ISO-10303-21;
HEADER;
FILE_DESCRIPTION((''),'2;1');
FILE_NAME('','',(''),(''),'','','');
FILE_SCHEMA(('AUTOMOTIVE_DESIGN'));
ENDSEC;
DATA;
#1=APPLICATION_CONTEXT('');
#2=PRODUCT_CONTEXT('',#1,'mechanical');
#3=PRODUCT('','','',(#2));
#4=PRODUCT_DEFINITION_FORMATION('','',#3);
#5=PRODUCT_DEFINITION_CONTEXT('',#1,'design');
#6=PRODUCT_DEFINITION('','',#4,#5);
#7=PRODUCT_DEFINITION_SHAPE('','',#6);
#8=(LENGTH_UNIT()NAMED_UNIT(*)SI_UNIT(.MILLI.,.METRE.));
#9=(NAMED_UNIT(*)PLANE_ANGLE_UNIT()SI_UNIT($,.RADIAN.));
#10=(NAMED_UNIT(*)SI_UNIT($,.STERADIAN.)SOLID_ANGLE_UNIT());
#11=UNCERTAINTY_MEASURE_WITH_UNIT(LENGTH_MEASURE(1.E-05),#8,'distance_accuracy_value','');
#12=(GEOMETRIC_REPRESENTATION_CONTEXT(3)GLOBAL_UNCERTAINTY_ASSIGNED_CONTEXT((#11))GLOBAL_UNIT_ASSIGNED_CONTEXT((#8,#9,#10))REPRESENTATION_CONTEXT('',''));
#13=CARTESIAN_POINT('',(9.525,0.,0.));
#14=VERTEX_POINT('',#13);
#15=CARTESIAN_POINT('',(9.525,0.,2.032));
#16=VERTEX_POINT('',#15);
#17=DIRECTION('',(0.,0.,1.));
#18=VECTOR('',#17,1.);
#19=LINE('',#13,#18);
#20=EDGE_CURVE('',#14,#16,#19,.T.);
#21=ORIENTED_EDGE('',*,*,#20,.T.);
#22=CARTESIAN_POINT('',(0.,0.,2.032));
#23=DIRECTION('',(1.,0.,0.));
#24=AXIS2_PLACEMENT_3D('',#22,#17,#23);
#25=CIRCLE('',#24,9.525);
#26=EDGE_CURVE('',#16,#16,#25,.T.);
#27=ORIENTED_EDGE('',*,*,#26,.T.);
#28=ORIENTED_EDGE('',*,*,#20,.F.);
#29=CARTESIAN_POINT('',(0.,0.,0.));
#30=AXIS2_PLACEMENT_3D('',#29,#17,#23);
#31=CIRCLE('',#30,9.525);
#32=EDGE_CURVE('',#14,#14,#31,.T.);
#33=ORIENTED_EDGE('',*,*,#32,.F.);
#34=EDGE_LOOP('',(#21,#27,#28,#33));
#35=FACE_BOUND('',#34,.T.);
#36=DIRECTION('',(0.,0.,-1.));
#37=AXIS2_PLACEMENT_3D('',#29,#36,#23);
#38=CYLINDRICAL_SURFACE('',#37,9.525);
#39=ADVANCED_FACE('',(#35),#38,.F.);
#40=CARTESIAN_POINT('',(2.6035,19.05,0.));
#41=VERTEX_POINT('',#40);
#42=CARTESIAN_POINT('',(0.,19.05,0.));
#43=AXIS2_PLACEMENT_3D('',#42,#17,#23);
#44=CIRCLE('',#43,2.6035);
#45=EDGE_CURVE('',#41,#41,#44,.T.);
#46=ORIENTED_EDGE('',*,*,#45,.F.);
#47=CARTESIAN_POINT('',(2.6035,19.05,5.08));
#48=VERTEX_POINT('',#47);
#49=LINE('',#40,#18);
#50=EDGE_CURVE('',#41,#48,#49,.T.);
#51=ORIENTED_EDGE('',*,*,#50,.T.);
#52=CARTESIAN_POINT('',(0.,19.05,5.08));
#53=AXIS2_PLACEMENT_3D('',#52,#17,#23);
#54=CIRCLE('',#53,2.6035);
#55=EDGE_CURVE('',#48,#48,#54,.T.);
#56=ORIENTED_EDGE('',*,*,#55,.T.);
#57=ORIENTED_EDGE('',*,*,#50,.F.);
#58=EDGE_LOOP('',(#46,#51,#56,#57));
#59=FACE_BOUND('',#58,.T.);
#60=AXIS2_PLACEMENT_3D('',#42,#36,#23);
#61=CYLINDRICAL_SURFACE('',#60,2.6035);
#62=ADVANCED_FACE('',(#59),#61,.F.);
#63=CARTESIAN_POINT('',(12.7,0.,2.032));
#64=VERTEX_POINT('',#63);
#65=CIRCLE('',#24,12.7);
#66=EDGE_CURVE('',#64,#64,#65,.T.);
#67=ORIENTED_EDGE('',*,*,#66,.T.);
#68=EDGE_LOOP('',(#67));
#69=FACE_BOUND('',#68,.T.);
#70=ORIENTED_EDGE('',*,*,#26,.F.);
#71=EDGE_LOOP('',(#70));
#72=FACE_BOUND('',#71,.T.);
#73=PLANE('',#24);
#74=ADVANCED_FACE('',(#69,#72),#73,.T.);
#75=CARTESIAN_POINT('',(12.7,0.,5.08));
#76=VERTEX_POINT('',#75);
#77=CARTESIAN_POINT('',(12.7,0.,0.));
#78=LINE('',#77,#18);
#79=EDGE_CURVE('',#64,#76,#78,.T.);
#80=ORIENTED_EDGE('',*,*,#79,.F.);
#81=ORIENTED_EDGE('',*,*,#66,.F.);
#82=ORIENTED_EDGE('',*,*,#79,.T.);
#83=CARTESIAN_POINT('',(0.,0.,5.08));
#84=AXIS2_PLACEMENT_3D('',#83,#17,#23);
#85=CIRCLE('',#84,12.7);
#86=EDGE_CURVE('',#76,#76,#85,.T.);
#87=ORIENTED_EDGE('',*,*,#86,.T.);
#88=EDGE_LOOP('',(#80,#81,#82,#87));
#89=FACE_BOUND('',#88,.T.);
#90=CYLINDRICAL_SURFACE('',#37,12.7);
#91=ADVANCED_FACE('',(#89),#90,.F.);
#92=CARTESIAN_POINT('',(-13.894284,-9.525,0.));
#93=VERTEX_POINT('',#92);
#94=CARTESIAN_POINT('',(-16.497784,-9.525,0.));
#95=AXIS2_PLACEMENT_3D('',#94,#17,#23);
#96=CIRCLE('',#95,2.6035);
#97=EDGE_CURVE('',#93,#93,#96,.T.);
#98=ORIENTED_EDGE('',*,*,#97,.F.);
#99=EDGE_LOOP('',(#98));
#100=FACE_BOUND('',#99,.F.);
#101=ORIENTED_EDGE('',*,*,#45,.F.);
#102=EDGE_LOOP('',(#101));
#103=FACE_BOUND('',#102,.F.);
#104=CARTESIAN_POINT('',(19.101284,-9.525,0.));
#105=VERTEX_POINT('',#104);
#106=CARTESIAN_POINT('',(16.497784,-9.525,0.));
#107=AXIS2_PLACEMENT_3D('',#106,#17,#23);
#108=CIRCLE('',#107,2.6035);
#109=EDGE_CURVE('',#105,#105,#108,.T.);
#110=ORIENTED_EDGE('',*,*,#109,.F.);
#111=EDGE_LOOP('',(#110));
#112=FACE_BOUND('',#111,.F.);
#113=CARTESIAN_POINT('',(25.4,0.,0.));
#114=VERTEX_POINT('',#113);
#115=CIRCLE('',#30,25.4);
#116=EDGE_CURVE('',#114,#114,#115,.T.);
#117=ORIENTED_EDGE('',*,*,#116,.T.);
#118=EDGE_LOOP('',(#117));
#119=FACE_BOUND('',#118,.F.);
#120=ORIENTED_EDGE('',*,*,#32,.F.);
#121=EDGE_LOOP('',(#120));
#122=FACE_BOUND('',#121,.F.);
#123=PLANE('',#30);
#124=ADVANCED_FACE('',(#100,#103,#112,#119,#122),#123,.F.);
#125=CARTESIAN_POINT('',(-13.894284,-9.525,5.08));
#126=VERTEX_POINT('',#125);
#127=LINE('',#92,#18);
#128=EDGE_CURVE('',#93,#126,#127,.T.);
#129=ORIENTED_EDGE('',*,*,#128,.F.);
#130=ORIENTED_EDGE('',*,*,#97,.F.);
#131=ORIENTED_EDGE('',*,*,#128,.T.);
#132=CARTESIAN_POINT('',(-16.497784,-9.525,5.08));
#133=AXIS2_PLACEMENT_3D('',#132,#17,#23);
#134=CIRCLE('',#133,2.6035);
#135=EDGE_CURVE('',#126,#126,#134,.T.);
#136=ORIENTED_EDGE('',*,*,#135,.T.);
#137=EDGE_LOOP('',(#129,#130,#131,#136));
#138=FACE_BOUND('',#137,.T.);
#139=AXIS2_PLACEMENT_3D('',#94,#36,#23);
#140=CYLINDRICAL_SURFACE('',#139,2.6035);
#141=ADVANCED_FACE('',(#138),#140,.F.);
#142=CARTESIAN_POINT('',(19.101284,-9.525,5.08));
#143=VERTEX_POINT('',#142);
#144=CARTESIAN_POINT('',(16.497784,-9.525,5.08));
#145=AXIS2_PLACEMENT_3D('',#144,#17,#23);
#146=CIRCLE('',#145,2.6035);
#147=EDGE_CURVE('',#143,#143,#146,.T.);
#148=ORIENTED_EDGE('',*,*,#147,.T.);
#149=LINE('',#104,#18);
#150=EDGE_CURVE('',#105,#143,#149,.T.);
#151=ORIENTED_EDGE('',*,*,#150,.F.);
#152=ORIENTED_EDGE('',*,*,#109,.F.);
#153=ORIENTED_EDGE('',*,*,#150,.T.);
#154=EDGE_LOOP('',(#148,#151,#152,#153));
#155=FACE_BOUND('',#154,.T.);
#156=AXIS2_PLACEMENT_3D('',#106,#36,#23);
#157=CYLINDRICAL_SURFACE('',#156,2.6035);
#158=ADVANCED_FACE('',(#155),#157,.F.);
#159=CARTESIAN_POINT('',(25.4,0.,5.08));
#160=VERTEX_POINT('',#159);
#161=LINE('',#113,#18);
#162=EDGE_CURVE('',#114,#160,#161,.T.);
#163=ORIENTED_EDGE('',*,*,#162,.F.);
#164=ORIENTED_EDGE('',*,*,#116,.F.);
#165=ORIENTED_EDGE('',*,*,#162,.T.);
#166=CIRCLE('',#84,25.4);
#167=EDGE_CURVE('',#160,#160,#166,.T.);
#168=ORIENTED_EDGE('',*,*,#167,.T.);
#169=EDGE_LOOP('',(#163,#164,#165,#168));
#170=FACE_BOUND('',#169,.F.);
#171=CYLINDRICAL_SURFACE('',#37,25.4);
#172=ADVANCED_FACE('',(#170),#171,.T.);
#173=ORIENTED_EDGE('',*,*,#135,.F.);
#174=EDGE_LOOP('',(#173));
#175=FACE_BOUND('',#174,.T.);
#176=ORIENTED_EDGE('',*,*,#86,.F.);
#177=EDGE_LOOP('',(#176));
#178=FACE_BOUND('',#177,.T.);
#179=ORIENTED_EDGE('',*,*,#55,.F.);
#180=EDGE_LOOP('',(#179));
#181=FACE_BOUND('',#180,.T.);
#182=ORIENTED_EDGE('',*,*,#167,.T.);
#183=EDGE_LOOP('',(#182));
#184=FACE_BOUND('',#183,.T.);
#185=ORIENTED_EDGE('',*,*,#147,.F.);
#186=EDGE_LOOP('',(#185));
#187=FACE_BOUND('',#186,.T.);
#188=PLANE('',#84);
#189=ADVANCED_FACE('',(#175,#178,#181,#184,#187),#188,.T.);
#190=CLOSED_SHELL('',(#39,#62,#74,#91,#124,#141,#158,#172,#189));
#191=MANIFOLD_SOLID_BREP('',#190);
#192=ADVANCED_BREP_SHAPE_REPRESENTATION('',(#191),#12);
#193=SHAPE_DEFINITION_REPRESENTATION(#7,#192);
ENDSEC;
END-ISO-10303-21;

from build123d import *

# Parameters (mm, degrees)
F0_R     = 25.4
F0_R_2   = 2.6035
F0_R_3   = 12.7
F1_DEPTH = 5.08
F0_R_4   = 9.525
F2_DEPTH = 2.032


with BuildPart() as f1:
    # F0 (on Top) → F1 (new body)
    with BuildSketch(Plane.XY):
        Circle(F0_R)
        with Locations((-16.497784, -9.525)):
            Circle(F0_R_2, mode=Mode.SUBTRACT)
        Circle(F0_R_3, mode=Mode.SUBTRACT)
        with Locations((16.497784, -9.525)):
            Circle(F0_R_2, mode=Mode.SUBTRACT)
        with Locations((0, 19.05)):
            Circle(F0_R_2, mode=Mode.SUBTRACT)
    extrude(amount=F1_DEPTH)

    # F0 (on Top) → F2 (join)
    with BuildSketch(Plane.XY):
        Circle(F0_R_3)
        Circle(F0_R_4, mode=Mode.SUBTRACT)
    extrude(amount=F2_DEPTH)


solid = f1.part
